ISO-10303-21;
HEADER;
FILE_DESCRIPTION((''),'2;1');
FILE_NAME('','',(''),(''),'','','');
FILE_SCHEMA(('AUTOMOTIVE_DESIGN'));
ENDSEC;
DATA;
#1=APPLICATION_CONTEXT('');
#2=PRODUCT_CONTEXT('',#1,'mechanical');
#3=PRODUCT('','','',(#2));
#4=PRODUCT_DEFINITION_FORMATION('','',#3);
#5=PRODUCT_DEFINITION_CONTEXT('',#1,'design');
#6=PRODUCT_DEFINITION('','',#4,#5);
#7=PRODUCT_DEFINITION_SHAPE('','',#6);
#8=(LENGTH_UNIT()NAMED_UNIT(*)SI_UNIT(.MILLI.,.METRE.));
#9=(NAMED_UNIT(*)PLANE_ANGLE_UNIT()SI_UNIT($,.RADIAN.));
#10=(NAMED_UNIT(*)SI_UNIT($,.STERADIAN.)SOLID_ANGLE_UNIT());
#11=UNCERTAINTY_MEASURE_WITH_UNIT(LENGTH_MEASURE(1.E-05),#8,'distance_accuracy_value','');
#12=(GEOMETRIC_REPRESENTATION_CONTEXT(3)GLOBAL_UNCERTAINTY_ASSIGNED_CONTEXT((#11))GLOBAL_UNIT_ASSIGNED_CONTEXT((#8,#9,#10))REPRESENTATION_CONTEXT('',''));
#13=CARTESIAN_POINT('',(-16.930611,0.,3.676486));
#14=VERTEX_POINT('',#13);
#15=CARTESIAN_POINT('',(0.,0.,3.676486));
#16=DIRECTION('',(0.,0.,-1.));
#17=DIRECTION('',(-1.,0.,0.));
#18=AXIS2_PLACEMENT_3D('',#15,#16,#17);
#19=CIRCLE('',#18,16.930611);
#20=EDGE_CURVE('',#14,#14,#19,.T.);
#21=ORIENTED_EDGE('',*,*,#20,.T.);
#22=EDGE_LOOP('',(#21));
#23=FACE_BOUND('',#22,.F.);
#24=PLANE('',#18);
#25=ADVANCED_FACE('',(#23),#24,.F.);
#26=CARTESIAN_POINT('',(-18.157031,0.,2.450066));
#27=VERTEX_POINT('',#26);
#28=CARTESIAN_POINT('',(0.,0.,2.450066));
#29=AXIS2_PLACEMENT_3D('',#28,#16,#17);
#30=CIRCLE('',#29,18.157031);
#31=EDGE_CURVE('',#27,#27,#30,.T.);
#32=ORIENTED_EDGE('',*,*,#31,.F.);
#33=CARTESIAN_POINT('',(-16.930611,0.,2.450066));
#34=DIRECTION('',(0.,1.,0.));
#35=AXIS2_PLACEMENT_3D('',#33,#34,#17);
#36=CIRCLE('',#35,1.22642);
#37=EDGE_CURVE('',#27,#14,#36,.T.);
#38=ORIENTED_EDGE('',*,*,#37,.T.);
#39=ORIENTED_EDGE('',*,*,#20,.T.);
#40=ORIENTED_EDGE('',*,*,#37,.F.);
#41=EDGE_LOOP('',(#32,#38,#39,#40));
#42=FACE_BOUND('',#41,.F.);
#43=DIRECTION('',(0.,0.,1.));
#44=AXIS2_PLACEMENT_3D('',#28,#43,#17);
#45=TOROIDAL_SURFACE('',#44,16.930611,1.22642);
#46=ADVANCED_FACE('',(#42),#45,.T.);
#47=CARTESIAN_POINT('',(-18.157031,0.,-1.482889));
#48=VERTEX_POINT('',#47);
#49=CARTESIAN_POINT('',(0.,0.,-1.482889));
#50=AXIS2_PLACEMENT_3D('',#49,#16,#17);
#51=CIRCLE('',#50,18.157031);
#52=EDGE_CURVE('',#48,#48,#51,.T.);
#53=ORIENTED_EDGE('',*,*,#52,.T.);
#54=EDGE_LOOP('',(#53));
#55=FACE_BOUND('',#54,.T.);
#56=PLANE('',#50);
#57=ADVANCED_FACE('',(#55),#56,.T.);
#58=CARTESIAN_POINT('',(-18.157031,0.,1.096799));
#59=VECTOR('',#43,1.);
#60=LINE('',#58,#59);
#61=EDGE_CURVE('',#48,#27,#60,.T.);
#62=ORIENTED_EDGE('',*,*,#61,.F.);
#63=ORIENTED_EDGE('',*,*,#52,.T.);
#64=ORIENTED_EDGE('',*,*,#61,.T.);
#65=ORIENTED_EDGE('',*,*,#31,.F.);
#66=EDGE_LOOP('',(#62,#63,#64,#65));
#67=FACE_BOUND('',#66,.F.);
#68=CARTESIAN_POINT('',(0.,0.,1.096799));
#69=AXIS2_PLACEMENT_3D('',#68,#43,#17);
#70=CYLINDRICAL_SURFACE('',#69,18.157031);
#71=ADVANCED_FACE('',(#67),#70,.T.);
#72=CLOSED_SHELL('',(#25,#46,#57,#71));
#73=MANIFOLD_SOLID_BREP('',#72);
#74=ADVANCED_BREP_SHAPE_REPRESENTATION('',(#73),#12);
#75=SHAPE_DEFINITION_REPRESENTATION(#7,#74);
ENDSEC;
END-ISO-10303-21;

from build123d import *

# Parameters (mm, degrees)
F0_W = 18.15703125
F0_H = 5.159375
F2_R = 1.2264204897


with BuildPart() as f1:
    # F0 (on Front) → F1 (revolve)
    with BuildSketch(Plane.XZ):
        with Locations((-9.078515625, 1.0967985727)):
            Rectangle(F0_W, F0_H)
    revolve(axis=Axis((0, 0, 1.0967985727), (0, 0, -1)))

    # F2
    f2_edges = [f1.edges().sort_by_distance(p)[0] for p in [
        (18.157031, 0, 3.676486),
    ]]
    fillet(f2_edges, radius=F2_R)


solid = f1.part
